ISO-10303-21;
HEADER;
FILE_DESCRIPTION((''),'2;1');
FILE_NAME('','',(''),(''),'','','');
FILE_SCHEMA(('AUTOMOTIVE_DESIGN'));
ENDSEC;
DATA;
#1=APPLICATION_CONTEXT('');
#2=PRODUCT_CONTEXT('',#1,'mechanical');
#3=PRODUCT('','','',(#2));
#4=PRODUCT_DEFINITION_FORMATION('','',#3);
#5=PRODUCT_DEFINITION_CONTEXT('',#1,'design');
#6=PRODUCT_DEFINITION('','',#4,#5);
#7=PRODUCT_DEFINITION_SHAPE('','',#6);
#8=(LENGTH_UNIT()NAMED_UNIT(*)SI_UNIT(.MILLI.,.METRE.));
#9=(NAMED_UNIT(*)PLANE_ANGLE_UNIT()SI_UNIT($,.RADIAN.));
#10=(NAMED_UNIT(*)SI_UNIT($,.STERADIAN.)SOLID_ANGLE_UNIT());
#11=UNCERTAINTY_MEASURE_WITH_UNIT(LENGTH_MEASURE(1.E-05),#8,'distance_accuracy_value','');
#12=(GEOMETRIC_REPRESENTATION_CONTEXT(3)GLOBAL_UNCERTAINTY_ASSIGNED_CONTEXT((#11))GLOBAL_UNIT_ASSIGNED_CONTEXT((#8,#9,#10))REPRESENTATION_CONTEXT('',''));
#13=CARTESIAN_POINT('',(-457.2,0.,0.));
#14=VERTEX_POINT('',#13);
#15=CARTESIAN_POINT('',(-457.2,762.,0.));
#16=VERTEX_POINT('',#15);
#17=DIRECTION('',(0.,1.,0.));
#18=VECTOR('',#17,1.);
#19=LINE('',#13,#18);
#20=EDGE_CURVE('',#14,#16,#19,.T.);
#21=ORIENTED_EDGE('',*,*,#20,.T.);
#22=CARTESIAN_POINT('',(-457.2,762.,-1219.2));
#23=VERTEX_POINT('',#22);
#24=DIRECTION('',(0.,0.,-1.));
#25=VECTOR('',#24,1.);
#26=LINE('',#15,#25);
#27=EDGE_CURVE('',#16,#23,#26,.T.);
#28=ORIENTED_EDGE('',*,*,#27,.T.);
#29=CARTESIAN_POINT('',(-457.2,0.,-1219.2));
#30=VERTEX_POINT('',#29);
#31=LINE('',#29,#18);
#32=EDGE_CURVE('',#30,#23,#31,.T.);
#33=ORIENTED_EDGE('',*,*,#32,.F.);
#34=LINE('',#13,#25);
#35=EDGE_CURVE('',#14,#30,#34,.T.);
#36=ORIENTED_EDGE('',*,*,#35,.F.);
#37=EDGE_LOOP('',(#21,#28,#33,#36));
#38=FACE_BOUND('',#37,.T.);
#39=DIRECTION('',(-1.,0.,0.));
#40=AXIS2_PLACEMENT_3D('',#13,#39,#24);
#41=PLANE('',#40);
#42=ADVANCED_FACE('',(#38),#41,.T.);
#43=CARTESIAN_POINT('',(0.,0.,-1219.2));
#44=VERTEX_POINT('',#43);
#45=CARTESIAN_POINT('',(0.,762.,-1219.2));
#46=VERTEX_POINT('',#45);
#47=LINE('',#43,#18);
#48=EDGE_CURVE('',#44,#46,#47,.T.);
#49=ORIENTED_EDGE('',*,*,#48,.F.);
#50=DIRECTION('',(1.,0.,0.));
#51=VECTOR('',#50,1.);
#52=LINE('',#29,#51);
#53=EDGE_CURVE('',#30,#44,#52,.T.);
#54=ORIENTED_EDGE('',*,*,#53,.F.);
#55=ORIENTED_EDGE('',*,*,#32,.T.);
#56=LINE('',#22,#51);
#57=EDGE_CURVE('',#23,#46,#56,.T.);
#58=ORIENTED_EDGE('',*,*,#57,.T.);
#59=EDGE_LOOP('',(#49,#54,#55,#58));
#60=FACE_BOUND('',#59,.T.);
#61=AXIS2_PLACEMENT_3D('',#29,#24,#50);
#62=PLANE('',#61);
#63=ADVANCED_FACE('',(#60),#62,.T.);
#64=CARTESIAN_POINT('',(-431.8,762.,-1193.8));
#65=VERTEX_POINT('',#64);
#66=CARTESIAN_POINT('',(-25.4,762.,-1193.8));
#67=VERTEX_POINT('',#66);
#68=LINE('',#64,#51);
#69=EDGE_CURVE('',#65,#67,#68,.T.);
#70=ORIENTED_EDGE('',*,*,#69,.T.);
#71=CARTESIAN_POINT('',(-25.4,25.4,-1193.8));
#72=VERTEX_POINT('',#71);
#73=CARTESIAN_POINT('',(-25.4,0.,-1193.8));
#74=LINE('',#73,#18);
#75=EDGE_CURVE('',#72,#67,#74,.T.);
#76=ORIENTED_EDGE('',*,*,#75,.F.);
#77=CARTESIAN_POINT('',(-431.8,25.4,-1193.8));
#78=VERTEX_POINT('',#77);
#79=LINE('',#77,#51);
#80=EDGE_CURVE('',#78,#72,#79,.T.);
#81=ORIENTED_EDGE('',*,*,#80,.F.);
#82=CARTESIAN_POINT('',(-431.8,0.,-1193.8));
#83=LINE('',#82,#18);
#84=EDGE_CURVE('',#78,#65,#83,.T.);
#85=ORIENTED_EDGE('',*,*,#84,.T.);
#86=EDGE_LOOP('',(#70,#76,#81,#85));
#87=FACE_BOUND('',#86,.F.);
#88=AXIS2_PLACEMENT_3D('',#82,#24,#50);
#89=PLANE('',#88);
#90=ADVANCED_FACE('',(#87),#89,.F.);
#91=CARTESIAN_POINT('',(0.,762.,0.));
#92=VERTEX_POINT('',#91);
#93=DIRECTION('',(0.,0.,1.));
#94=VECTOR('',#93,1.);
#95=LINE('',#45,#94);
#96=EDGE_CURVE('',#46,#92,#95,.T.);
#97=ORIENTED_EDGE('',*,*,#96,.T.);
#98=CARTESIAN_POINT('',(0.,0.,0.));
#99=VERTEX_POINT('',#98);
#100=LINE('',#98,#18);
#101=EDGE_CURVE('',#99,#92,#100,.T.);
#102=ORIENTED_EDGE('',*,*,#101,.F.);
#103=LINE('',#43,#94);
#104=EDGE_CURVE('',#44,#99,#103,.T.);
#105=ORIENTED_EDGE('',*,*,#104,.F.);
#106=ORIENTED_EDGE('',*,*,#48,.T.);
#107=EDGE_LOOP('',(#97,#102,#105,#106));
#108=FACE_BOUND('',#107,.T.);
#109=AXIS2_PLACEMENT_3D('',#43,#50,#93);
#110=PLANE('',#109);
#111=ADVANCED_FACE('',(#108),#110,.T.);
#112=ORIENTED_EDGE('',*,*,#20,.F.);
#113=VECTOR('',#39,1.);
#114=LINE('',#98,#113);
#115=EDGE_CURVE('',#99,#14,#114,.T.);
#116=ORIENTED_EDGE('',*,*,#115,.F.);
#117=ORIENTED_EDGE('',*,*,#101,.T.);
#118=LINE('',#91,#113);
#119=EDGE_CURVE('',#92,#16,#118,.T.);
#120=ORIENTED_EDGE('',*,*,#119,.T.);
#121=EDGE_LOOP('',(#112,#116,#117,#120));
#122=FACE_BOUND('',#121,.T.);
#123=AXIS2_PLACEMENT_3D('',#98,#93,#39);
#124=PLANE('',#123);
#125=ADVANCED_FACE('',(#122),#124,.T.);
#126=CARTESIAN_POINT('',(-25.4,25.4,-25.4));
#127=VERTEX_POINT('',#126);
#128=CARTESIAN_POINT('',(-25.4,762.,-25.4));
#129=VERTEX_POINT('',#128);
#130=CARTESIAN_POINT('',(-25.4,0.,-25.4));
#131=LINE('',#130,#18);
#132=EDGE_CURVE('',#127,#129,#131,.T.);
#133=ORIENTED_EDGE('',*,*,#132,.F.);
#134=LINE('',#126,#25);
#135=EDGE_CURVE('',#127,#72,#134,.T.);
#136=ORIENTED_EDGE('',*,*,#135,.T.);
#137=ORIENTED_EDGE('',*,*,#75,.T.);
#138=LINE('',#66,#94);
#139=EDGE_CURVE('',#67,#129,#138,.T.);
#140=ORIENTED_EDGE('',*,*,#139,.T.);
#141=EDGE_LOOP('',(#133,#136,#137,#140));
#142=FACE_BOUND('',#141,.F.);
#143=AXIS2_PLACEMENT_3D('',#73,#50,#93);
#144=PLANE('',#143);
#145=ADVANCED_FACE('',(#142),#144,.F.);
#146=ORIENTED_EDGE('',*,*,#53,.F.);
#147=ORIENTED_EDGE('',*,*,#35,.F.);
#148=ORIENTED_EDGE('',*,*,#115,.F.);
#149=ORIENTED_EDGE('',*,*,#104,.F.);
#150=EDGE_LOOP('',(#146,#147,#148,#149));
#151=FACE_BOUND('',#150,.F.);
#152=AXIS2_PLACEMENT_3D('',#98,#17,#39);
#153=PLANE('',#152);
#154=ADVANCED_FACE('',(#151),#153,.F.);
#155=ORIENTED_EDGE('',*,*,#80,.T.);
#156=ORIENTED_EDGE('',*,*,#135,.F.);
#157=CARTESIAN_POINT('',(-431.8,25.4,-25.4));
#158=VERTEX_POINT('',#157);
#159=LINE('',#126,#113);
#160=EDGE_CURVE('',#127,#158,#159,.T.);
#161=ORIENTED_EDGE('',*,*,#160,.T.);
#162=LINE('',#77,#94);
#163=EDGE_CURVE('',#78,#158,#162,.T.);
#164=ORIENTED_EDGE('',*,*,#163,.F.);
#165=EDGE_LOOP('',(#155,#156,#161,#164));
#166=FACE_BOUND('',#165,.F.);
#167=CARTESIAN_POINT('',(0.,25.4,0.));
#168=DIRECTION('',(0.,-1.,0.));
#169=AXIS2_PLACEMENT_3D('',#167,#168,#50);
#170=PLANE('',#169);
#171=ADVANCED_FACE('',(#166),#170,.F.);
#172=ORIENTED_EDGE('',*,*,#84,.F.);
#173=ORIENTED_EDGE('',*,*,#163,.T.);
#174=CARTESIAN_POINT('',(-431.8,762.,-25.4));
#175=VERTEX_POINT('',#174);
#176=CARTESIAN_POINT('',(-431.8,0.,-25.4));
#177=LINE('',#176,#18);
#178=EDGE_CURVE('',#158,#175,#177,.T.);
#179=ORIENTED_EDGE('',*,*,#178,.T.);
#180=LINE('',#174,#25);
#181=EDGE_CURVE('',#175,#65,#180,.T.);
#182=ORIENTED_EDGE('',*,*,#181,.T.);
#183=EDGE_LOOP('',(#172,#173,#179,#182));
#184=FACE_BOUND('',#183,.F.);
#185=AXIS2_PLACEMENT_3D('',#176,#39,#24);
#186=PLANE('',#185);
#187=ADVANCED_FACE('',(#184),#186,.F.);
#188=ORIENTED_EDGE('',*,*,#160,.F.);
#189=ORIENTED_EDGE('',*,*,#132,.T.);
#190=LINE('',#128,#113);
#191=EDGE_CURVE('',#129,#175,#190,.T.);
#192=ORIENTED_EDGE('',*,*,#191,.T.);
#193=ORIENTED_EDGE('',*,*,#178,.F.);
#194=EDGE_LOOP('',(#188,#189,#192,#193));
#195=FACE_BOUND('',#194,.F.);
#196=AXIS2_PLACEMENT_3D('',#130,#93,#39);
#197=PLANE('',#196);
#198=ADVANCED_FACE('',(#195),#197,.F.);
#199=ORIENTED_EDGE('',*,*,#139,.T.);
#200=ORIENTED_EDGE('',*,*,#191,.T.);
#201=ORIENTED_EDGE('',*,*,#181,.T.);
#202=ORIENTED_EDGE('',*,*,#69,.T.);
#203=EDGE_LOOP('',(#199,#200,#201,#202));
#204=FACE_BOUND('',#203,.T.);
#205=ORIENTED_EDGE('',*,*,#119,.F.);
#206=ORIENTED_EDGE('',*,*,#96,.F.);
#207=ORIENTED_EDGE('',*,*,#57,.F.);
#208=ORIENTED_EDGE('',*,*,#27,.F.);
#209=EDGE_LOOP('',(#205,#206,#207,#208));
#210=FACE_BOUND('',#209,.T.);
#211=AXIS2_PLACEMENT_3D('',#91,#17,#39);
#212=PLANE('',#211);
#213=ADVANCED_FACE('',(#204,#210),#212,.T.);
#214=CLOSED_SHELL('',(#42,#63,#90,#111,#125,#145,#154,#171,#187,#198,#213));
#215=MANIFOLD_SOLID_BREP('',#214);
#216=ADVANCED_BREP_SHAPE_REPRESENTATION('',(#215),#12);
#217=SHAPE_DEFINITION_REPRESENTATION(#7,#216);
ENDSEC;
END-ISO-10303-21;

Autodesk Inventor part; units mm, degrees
ref_plane "YZ Plane" through (0, 0, 0) normal (1, 0, 0) x (0, 1, 0)
ref_plane "XZ Plane" through (0, 0, 0) normal (0, 1, 0) x (-1, 0, 0)
ref_plane "XY Plane" through (0, 0, 0) normal (0, 0, 1) x (1, 0, 0)
sketch "Sketch1" plane through (0, 0, 0) normal (0, 1, 0) x (-1, 0, 0)
  line L0 (0, 0) -> (457.2, 0)
  line L1 (457.2, 0) -> (457.2, -1219.2)
  line L2 (457.2, -1219.2) -> (0, -1219.2)
  line L3 (0, -1219.2) -> (0, 0)
  line L4 (25.4, -25.4) -> (431.8, -25.4)
  line L5 (431.8, -25.4) -> (431.8, -1193.8)
  line L6 (431.8, -1193.8) -> (25.4, -1193.8)
  line L7 (25.4, -1193.8) -> (25.4, -25.4)
  dimension "d0" = 457.2
  dimension "d1" = 1219.2
  dimension "d2" = 25.4
  dimension "d3" = 25.4
  dimension "d4" = 25.4
  dimension "d5" = 25.4
extrude "Extrusion1" add sketch "Sketch1" along normal blind 762
sketch "Sketch2" plane through (0, 0, 0) normal (0, -1, 0) x (1, 0, 0)
  line L0 (-25.4, -25.4) -> (-431.8, -25.4) projected
  line L1 (-431.8, -1193.8) -> (-25.4, -1193.8) projected
  line L2 (-431.8, -25.4) -> (-25.4, -25.4)
  line L3 (-25.4, -25.4) -> (-25.4, -1193.8)
  line L4 (-25.4, -1193.8) -> (-431.8, -1193.8)
  line L5 (-431.8, -1193.8) -> (-431.8, -25.4)
  point P0 (0, 0)
extrude "Extrusion2" add sketch "Sketch2" against normal blind 25.4
properties part number "GameDesignBox"
